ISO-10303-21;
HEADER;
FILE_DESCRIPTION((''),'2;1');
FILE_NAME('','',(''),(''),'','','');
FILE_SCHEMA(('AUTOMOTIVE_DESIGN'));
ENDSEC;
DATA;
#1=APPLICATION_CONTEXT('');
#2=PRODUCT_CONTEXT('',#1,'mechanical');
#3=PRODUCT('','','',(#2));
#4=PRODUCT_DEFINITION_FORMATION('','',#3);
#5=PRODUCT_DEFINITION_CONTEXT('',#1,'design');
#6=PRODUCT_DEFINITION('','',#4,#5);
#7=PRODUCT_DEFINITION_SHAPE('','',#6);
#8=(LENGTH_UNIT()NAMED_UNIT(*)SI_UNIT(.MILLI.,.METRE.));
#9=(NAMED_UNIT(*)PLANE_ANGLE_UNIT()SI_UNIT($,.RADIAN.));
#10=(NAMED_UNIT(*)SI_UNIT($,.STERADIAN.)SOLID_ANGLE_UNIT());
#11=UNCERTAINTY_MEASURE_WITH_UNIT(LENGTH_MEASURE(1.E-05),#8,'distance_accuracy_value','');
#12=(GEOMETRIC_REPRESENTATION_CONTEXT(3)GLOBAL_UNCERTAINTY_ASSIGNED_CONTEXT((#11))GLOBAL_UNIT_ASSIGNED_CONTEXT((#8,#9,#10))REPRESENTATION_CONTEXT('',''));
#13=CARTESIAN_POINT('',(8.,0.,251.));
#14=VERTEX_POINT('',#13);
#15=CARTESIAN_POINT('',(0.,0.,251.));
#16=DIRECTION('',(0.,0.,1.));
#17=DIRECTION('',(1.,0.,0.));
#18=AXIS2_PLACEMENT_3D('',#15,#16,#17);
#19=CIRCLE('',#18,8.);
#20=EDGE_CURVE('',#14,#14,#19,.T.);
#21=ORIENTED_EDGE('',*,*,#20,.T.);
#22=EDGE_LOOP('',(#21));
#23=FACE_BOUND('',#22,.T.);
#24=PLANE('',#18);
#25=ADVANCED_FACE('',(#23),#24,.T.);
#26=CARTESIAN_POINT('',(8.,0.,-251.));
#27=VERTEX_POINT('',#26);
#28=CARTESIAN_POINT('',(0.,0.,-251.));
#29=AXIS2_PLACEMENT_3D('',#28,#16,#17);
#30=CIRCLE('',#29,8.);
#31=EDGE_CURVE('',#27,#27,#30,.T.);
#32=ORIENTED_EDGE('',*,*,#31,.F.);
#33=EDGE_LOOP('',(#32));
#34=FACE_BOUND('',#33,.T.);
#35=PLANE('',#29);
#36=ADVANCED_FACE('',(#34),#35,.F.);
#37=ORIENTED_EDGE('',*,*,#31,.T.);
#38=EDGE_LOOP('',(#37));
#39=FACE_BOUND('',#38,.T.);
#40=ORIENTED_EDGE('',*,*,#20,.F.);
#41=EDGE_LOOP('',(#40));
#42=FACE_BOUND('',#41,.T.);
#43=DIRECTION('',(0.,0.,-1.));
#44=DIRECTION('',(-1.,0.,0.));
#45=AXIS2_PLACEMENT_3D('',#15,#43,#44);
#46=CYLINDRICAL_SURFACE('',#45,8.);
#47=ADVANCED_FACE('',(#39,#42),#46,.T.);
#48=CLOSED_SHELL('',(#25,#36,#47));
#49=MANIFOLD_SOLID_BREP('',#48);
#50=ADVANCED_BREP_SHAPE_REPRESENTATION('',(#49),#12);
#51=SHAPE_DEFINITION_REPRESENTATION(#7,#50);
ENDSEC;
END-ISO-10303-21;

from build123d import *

# Parameters (mm, degrees)
SKETCH1_R           = 8
BOSS_EXTRUDE1_DEPTH = 251


with BuildPart() as part:
    # Sketch1 → Boss-Extrude1 (new body, symmetric)
    with BuildSketch(Plane.XY):
        Circle(SKETCH1_R)
    extrude(amount=BOSS_EXTRUDE1_DEPTH, both=True)


solid = part.part
